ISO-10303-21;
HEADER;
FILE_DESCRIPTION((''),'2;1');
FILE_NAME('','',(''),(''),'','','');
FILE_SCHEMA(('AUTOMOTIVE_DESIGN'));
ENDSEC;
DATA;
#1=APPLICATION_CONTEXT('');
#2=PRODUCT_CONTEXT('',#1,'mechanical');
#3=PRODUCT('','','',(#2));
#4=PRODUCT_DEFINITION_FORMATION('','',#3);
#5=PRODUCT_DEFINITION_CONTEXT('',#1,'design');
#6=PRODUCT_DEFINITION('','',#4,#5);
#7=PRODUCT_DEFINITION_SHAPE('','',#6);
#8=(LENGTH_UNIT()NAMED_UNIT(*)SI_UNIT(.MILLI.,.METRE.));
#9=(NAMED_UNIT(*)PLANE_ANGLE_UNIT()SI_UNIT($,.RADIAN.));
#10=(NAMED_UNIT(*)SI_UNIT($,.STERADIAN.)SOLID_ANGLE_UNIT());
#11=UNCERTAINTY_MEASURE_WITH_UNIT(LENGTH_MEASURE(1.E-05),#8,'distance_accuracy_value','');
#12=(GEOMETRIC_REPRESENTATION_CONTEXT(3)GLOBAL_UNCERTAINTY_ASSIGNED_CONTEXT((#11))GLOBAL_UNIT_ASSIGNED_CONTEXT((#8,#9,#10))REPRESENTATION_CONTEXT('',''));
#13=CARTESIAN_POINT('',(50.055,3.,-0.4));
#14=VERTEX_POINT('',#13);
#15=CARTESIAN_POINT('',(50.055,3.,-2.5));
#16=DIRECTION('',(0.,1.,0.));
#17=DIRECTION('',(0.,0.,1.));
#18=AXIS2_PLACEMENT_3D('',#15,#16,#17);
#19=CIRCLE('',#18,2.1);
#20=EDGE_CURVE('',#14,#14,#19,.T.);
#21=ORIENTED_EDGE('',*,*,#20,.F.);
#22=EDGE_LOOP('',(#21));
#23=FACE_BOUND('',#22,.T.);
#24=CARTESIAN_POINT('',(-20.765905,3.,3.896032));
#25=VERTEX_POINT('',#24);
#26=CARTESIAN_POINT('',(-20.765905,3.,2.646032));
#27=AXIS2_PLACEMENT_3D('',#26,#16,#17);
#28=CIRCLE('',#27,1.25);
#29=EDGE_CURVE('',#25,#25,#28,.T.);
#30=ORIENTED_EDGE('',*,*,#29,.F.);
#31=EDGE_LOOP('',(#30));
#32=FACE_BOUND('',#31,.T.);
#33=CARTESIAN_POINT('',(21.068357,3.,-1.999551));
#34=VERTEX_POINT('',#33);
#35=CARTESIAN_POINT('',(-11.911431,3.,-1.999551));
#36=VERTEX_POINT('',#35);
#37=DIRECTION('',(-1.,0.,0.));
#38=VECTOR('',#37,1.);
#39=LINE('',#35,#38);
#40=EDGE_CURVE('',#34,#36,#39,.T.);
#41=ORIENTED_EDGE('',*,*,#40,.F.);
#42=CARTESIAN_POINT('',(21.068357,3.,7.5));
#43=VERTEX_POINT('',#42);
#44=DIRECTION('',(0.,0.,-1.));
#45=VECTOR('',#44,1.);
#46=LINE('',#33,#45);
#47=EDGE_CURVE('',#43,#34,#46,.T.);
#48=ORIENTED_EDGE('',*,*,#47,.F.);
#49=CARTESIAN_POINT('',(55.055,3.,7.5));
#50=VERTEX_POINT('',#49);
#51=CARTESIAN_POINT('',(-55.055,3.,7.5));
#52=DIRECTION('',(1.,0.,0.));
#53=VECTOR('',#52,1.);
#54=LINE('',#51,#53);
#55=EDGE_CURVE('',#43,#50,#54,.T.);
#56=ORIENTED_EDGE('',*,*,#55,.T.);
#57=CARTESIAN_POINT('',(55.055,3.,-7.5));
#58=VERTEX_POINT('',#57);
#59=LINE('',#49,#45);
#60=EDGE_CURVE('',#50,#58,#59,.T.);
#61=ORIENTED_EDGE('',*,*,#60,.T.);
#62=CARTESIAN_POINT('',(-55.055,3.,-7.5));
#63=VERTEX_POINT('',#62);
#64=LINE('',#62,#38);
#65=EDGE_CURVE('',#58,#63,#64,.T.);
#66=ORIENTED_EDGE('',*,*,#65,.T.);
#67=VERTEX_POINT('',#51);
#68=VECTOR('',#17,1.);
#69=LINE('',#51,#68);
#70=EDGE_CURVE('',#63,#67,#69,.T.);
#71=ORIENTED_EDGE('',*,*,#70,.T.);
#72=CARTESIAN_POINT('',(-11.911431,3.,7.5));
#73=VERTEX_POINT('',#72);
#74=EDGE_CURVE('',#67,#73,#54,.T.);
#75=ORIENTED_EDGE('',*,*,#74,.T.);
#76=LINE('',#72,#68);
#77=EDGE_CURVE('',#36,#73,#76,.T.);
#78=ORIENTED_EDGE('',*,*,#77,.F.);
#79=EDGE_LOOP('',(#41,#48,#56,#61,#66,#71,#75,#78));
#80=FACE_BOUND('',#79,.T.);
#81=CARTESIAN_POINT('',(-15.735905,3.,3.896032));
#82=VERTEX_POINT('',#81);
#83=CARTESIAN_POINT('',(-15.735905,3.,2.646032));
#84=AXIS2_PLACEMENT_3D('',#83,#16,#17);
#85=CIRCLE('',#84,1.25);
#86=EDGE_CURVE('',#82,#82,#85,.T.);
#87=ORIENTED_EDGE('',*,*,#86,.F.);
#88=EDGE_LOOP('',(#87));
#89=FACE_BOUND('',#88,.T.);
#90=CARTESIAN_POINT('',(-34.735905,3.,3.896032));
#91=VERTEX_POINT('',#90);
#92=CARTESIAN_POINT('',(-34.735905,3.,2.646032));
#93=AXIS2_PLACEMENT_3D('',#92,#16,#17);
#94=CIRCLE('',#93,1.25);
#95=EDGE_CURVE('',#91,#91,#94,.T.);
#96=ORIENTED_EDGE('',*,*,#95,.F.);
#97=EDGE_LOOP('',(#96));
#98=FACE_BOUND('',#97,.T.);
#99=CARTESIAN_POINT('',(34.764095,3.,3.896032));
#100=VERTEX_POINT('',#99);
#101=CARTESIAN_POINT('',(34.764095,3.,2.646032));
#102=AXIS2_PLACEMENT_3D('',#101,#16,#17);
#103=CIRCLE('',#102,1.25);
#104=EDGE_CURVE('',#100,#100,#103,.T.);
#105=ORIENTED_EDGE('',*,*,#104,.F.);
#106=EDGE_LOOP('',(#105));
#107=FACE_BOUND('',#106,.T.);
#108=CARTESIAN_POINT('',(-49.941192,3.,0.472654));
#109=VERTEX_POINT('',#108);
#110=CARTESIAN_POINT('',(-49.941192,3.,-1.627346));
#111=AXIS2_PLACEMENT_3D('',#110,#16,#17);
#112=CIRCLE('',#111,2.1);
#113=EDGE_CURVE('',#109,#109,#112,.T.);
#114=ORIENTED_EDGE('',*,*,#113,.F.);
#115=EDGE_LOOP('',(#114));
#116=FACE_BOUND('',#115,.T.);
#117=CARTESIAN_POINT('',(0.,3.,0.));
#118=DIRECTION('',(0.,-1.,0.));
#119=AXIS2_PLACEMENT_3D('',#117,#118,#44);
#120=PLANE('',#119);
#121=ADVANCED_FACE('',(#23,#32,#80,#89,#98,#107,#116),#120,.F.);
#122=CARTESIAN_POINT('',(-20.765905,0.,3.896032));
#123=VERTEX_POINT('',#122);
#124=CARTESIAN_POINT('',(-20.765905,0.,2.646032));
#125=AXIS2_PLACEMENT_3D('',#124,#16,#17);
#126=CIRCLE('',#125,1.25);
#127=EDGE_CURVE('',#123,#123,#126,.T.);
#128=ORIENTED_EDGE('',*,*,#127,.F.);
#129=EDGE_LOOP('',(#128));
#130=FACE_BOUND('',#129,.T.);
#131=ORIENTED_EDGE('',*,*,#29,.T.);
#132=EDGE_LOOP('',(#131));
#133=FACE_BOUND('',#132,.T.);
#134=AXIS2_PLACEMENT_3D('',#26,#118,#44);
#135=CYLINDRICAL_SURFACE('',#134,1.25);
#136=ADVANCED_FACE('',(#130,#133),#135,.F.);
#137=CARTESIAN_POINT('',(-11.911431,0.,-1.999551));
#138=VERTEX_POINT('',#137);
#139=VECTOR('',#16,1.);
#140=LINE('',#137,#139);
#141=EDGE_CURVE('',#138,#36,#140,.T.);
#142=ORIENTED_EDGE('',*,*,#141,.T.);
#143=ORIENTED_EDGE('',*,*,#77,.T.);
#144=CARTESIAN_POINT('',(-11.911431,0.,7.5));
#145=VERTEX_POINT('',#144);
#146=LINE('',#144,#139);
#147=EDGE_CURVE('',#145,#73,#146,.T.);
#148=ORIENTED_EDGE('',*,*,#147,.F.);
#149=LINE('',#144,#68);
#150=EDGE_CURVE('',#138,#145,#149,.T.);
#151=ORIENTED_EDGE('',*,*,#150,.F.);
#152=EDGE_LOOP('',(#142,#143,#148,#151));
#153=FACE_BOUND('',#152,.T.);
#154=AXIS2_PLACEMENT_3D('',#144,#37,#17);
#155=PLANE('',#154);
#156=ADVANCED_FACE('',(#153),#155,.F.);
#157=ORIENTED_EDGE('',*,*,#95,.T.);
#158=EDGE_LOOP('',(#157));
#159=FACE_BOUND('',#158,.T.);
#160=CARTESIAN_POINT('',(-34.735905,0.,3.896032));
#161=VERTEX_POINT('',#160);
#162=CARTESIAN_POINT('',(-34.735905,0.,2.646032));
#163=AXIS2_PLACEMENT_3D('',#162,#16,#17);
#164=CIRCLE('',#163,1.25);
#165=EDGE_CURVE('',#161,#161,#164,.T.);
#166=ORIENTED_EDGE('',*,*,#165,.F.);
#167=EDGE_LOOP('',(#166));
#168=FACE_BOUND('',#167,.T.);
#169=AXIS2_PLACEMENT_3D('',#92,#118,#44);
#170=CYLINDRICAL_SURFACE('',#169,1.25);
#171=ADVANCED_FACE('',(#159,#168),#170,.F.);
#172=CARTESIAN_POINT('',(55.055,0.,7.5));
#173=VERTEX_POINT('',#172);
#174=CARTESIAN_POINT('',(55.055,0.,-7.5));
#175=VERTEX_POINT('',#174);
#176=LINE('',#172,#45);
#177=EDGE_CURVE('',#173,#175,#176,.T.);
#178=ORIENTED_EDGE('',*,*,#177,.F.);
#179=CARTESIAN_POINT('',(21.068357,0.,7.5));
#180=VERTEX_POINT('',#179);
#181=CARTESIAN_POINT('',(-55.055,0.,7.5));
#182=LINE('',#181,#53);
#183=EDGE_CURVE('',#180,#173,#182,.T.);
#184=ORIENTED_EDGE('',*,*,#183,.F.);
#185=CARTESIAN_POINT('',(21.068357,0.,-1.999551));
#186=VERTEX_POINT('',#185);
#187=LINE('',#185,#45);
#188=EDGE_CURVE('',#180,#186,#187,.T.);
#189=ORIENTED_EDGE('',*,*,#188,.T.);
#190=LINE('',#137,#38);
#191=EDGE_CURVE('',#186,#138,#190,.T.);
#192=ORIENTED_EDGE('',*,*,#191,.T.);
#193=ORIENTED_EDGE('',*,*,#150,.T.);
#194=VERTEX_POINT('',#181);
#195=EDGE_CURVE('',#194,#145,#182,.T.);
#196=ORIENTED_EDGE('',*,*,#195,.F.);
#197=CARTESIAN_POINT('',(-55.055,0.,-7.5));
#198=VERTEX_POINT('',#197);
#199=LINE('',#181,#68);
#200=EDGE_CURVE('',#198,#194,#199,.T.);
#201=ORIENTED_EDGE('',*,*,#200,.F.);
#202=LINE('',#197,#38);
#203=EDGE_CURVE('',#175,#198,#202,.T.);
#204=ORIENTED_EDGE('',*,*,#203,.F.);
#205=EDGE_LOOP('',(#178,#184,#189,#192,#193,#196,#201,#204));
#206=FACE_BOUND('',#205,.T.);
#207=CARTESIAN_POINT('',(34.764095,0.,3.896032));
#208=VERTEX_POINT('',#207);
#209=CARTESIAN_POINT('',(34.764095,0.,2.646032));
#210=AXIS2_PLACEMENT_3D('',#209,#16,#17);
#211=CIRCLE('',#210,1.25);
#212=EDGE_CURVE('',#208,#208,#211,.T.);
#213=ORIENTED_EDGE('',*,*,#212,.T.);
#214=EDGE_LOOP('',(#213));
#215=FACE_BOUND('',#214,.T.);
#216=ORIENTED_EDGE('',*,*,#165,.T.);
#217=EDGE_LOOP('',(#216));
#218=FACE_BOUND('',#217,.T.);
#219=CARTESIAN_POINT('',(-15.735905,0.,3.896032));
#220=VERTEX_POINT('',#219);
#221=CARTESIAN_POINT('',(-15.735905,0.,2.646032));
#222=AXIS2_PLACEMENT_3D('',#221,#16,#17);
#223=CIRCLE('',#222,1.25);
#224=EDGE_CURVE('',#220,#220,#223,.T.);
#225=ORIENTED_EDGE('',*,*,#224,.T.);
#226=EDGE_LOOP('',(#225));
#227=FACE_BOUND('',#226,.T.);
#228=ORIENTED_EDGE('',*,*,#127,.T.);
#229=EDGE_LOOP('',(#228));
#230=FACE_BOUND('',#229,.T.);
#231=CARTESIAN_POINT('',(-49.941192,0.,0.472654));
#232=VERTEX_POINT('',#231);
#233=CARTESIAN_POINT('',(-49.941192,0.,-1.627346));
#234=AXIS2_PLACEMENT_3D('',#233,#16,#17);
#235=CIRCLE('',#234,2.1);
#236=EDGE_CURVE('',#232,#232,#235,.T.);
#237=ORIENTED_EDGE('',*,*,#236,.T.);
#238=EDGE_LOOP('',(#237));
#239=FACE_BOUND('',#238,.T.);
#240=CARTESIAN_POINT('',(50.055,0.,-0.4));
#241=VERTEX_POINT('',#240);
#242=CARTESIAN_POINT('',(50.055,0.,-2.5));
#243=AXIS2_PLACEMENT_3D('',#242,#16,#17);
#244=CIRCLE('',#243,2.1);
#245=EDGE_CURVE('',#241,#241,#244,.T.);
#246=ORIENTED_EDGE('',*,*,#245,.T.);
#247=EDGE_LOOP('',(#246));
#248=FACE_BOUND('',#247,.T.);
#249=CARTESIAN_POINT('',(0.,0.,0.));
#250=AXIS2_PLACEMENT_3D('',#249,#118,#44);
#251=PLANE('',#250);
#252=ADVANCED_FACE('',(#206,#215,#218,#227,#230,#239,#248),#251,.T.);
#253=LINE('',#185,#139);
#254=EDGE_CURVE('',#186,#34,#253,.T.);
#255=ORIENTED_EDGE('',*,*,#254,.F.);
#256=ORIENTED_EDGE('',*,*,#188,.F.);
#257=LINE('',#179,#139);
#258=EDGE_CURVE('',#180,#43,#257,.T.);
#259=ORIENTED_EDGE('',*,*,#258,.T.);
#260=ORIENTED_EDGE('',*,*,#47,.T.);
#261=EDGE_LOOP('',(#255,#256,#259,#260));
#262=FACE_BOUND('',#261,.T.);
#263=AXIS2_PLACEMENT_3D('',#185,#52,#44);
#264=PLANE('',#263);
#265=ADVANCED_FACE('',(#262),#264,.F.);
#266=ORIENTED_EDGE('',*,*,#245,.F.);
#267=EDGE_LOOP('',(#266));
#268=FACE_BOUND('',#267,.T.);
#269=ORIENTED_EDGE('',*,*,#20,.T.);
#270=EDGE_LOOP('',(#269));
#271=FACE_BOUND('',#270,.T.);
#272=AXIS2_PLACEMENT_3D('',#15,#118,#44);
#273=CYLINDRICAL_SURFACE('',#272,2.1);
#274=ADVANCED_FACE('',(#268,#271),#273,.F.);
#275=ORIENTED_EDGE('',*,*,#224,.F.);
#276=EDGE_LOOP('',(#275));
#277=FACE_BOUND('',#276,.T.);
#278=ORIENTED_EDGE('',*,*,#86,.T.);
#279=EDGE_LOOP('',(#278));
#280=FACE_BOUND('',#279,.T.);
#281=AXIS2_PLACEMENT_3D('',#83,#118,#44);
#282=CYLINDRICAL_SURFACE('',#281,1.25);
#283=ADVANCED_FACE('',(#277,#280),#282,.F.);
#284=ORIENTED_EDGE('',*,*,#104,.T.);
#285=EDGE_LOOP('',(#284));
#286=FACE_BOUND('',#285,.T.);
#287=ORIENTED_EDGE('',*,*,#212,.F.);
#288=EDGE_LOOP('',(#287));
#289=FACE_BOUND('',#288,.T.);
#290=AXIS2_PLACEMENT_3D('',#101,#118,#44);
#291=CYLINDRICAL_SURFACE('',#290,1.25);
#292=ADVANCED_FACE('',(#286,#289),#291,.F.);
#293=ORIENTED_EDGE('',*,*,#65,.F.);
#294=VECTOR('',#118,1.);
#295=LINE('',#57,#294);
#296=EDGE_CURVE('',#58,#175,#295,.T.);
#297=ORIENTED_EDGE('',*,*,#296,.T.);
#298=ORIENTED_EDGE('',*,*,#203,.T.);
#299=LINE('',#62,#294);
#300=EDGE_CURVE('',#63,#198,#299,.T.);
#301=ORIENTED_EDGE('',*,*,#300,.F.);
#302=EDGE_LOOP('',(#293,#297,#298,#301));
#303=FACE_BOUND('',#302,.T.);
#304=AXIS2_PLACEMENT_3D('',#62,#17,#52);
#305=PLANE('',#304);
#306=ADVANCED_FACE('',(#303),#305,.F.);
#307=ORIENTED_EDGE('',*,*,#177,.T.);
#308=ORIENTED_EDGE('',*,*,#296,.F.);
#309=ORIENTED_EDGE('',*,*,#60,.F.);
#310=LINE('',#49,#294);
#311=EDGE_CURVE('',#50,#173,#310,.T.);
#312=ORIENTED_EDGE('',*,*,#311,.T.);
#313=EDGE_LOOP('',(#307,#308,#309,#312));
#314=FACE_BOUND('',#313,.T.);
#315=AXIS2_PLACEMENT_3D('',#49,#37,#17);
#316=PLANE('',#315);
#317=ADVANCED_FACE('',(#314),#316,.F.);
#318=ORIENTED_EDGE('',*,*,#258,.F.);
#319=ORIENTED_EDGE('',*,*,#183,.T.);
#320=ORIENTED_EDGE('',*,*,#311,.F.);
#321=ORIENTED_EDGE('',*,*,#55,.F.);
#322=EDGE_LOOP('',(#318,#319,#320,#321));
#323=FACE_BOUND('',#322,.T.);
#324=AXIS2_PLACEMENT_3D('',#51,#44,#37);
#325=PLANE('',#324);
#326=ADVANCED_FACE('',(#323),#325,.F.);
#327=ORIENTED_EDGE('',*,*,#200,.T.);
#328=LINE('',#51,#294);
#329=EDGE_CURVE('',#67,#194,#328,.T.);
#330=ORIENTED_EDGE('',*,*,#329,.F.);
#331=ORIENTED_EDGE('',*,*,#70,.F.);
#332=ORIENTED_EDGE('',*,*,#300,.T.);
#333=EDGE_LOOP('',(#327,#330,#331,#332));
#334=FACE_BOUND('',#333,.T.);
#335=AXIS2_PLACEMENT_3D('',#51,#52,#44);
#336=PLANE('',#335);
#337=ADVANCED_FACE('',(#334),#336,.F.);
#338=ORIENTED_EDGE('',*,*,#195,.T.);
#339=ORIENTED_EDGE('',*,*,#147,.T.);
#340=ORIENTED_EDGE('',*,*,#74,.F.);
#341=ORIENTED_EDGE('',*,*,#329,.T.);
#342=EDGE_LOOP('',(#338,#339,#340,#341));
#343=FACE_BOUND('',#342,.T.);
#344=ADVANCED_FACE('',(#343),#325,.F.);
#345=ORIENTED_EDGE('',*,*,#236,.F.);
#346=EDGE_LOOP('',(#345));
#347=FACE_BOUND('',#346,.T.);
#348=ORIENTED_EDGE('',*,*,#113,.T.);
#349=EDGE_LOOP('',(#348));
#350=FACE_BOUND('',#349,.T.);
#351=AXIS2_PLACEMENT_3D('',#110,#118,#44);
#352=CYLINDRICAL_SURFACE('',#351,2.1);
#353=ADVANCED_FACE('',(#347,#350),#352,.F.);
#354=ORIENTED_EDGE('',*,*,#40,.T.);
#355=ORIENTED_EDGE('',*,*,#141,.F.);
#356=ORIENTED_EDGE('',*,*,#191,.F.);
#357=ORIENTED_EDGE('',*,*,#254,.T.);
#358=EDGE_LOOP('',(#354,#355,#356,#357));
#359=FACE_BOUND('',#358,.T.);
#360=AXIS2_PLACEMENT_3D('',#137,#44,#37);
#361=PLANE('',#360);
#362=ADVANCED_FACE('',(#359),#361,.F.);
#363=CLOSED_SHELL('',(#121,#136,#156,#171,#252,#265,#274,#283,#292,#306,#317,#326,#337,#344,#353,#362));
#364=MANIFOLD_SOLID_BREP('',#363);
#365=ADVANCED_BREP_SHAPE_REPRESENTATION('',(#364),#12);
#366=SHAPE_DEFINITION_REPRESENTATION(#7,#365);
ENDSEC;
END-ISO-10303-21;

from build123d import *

# Parameters (mm, degrees)
CROQUIS1_W              = 110.11
CROQUIS1_H              = 15
CROQUIS1_R              = 2.1
CROQUIS1_R_2            = 1.25
SALIENTE_EXTRUIR1_DEPTH = 3
CROQUIS4_W              = 30.354739951
CROQUIS4_H              = 9.499551224
CORTAR_EXTRUIR2_DEPTH   = 3
CROQUIS5_W              = 2.625048137
CROQUIS5_H              = 9.499551224
CORTAR_EXTRUIR3_DEPTH   = 3


with BuildPart() as part:
    # Croquis1 → Saliente-Extruir1 (new body)
    with BuildSketch(Plane(origin=(0, 0, 0), x_dir=(1, 0, 0), z_dir=(0, 1, 0))):
        Rectangle(CROQUIS1_W, CROQUIS1_H)
        with Locations(Location((50.055, 2.5, 0), (0, 0, 270))):
            Circle(CROQUIS1_R, mode=Mode.SUBTRACT)
        with Locations(Location((-49.941192306, 1.62734645, 0), (0, 0, 270))):
            Circle(CROQUIS1_R, mode=Mode.SUBTRACT)
        with Locations(Location((-20.765904609, -2.646032213, 0), (0, 0, 270))):
            Circle(CROQUIS1_R_2, mode=Mode.SUBTRACT)
        with Locations(Location((-34.735904609, -2.646032213, 0), (0, 0, 270))):
            Circle(CROQUIS1_R_2, mode=Mode.SUBTRACT)
        with Locations(Location((-15.735904609, -2.646032213, 0), (0, 0, 270))):
            Circle(CROQUIS1_R_2, mode=Mode.SUBTRACT)
        with Locations(Location((34.764095391, -2.646032213, 0), (0, 0, 270))):
            Circle(CROQUIS1_R_2, mode=Mode.SUBTRACT)
    extrude(amount=SALIENTE_EXTRUIR1_DEPTH)

    # Croquis4 → Cortar-Extruir2 (cut)
    with BuildSketch(Plane(origin=(0, 3, 0), x_dir=(1, 0, 0), z_dir=(0, 1, 0))):
        with Locations((3.265938607, -2.750224388)):
            Rectangle(CROQUIS4_W, CROQUIS4_H)
    extrude(amount=-CORTAR_EXTRUIR2_DEPTH, mode=Mode.SUBTRACT)

    # Croquis5 → Cortar-Extruir3 (cut)
    with BuildSketch(Plane(origin=(0, 3, 0), x_dir=(1, 0, 0), z_dir=(0, 1, 0))):
        with Locations((19.755832652, -2.750224388)):
            Rectangle(CROQUIS5_W, CROQUIS5_H)
    extrude(amount=-CORTAR_EXTRUIR3_DEPTH, mode=Mode.SUBTRACT)


solid = part.part
